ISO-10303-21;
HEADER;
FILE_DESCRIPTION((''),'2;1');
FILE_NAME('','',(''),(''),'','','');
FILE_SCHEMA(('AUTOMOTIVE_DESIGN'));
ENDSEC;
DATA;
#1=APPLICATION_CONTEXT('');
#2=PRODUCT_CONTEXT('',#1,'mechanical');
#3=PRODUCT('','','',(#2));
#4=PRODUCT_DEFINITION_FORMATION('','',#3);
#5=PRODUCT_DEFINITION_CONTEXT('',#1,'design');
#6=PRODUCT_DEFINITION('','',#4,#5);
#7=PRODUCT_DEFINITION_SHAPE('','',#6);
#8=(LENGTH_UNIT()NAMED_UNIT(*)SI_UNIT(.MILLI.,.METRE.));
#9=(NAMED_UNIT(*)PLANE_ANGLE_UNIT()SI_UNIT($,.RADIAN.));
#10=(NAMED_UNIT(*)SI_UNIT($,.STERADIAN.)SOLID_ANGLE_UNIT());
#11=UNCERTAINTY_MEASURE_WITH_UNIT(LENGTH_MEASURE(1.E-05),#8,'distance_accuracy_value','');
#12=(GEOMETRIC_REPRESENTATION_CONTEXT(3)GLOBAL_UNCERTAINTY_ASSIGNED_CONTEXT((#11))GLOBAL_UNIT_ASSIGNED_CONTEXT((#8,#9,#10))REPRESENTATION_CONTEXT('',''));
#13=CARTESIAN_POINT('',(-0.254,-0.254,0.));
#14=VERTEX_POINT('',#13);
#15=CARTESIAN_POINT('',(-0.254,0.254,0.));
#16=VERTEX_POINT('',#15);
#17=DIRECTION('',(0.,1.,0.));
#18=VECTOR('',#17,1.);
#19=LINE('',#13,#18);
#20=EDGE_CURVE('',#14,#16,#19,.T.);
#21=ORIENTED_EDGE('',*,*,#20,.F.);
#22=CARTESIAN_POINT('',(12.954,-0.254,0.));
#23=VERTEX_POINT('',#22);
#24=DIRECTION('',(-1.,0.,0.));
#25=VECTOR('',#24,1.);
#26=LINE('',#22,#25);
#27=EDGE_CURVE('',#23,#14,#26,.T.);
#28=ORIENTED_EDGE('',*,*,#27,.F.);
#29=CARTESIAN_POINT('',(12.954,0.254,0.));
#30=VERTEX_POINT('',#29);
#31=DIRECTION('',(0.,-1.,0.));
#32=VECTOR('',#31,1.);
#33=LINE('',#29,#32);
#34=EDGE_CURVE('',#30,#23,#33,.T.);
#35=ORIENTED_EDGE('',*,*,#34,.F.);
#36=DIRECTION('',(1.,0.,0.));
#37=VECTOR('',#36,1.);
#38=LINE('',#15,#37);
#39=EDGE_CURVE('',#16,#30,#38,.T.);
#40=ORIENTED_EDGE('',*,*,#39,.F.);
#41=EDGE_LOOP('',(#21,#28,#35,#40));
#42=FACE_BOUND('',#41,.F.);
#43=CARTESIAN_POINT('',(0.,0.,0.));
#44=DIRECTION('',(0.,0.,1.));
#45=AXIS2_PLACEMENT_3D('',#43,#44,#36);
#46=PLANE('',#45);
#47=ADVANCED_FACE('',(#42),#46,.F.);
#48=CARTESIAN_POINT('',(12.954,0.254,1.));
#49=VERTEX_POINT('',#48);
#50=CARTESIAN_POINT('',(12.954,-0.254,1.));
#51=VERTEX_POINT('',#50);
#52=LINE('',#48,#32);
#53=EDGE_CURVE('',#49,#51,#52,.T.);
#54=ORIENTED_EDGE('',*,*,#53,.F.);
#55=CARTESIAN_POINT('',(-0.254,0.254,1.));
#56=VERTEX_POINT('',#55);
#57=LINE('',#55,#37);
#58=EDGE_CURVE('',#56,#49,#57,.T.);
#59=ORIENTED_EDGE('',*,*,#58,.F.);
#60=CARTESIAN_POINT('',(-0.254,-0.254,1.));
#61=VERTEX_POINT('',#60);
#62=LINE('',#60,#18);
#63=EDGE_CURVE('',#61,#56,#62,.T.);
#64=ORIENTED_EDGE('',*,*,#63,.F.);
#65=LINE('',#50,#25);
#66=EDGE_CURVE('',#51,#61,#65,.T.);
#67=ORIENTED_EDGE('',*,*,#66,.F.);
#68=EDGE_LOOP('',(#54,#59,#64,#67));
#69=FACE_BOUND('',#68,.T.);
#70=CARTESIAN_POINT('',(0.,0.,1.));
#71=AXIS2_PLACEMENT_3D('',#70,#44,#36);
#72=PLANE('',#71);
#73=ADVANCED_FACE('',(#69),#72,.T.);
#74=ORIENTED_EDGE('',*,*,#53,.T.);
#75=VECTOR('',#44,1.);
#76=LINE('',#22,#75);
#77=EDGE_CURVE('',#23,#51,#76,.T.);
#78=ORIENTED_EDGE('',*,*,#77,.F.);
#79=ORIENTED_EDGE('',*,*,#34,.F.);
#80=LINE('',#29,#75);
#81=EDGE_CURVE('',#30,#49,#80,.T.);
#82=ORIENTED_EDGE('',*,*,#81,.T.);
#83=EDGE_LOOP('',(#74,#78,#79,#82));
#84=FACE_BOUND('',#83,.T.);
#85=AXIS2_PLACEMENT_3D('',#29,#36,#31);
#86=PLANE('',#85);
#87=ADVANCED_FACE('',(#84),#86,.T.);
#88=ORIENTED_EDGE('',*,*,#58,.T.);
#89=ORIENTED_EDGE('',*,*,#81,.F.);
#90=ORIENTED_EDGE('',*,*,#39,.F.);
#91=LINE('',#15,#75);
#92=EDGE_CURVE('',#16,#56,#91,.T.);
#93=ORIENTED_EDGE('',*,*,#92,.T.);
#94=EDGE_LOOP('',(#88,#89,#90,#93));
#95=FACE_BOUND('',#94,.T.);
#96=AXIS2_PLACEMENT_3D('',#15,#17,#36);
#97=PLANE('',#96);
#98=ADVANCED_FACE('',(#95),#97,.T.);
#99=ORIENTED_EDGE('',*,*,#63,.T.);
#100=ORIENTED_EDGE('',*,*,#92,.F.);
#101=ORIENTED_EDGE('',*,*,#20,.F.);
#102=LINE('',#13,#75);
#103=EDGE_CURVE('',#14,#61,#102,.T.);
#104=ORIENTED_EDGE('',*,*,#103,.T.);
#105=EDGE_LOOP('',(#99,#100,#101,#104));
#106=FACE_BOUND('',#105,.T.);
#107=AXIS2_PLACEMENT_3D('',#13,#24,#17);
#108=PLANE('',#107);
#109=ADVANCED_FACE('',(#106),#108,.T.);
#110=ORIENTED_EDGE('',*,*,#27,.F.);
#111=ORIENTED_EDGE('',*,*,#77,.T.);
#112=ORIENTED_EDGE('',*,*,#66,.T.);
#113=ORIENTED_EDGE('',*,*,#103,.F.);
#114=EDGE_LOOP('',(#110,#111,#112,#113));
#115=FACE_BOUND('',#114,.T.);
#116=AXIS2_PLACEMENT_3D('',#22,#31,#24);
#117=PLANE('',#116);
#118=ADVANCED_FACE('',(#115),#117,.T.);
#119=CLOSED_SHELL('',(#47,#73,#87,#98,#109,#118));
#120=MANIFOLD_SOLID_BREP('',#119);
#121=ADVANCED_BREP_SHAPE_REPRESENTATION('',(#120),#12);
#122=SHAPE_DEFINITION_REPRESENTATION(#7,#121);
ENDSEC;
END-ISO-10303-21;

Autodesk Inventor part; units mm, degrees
ref_plane "YZ Plane" through (0, 0, 0) normal (1, 0, 0) x (0, 1, 0)
ref_plane "XZ Plane" through (0, 0, 0) normal (0, 1, 0) x (-1, 0, 0)
ref_plane "XY Plane" through (0, 0, 0) normal (0, 0, 1) x (1, 0, 0)
sketch "1X06_NO_SILK, JP1_1X06_NO_SILK_24" plane through (0, 0, 0) normal (0, 0, 1) x (1, 0, 0)
  line L0 (-0.254, 0.254) -> (12.954, 0.254)
  line L1 (12.954, 0.254) -> (12.954, -0.254)
  line L2 (12.954, -0.254) -> (-0.254, -0.254)
  line L3 (-0.254, -0.254) -> (-0.254, 0.254)
extrude "Extrusion1" add sketch "1X06_NO_SILK, JP1_1X06_NO_SILK_24" along normal blind 1
properties part number "JP1_1X06_NO_SILK"
